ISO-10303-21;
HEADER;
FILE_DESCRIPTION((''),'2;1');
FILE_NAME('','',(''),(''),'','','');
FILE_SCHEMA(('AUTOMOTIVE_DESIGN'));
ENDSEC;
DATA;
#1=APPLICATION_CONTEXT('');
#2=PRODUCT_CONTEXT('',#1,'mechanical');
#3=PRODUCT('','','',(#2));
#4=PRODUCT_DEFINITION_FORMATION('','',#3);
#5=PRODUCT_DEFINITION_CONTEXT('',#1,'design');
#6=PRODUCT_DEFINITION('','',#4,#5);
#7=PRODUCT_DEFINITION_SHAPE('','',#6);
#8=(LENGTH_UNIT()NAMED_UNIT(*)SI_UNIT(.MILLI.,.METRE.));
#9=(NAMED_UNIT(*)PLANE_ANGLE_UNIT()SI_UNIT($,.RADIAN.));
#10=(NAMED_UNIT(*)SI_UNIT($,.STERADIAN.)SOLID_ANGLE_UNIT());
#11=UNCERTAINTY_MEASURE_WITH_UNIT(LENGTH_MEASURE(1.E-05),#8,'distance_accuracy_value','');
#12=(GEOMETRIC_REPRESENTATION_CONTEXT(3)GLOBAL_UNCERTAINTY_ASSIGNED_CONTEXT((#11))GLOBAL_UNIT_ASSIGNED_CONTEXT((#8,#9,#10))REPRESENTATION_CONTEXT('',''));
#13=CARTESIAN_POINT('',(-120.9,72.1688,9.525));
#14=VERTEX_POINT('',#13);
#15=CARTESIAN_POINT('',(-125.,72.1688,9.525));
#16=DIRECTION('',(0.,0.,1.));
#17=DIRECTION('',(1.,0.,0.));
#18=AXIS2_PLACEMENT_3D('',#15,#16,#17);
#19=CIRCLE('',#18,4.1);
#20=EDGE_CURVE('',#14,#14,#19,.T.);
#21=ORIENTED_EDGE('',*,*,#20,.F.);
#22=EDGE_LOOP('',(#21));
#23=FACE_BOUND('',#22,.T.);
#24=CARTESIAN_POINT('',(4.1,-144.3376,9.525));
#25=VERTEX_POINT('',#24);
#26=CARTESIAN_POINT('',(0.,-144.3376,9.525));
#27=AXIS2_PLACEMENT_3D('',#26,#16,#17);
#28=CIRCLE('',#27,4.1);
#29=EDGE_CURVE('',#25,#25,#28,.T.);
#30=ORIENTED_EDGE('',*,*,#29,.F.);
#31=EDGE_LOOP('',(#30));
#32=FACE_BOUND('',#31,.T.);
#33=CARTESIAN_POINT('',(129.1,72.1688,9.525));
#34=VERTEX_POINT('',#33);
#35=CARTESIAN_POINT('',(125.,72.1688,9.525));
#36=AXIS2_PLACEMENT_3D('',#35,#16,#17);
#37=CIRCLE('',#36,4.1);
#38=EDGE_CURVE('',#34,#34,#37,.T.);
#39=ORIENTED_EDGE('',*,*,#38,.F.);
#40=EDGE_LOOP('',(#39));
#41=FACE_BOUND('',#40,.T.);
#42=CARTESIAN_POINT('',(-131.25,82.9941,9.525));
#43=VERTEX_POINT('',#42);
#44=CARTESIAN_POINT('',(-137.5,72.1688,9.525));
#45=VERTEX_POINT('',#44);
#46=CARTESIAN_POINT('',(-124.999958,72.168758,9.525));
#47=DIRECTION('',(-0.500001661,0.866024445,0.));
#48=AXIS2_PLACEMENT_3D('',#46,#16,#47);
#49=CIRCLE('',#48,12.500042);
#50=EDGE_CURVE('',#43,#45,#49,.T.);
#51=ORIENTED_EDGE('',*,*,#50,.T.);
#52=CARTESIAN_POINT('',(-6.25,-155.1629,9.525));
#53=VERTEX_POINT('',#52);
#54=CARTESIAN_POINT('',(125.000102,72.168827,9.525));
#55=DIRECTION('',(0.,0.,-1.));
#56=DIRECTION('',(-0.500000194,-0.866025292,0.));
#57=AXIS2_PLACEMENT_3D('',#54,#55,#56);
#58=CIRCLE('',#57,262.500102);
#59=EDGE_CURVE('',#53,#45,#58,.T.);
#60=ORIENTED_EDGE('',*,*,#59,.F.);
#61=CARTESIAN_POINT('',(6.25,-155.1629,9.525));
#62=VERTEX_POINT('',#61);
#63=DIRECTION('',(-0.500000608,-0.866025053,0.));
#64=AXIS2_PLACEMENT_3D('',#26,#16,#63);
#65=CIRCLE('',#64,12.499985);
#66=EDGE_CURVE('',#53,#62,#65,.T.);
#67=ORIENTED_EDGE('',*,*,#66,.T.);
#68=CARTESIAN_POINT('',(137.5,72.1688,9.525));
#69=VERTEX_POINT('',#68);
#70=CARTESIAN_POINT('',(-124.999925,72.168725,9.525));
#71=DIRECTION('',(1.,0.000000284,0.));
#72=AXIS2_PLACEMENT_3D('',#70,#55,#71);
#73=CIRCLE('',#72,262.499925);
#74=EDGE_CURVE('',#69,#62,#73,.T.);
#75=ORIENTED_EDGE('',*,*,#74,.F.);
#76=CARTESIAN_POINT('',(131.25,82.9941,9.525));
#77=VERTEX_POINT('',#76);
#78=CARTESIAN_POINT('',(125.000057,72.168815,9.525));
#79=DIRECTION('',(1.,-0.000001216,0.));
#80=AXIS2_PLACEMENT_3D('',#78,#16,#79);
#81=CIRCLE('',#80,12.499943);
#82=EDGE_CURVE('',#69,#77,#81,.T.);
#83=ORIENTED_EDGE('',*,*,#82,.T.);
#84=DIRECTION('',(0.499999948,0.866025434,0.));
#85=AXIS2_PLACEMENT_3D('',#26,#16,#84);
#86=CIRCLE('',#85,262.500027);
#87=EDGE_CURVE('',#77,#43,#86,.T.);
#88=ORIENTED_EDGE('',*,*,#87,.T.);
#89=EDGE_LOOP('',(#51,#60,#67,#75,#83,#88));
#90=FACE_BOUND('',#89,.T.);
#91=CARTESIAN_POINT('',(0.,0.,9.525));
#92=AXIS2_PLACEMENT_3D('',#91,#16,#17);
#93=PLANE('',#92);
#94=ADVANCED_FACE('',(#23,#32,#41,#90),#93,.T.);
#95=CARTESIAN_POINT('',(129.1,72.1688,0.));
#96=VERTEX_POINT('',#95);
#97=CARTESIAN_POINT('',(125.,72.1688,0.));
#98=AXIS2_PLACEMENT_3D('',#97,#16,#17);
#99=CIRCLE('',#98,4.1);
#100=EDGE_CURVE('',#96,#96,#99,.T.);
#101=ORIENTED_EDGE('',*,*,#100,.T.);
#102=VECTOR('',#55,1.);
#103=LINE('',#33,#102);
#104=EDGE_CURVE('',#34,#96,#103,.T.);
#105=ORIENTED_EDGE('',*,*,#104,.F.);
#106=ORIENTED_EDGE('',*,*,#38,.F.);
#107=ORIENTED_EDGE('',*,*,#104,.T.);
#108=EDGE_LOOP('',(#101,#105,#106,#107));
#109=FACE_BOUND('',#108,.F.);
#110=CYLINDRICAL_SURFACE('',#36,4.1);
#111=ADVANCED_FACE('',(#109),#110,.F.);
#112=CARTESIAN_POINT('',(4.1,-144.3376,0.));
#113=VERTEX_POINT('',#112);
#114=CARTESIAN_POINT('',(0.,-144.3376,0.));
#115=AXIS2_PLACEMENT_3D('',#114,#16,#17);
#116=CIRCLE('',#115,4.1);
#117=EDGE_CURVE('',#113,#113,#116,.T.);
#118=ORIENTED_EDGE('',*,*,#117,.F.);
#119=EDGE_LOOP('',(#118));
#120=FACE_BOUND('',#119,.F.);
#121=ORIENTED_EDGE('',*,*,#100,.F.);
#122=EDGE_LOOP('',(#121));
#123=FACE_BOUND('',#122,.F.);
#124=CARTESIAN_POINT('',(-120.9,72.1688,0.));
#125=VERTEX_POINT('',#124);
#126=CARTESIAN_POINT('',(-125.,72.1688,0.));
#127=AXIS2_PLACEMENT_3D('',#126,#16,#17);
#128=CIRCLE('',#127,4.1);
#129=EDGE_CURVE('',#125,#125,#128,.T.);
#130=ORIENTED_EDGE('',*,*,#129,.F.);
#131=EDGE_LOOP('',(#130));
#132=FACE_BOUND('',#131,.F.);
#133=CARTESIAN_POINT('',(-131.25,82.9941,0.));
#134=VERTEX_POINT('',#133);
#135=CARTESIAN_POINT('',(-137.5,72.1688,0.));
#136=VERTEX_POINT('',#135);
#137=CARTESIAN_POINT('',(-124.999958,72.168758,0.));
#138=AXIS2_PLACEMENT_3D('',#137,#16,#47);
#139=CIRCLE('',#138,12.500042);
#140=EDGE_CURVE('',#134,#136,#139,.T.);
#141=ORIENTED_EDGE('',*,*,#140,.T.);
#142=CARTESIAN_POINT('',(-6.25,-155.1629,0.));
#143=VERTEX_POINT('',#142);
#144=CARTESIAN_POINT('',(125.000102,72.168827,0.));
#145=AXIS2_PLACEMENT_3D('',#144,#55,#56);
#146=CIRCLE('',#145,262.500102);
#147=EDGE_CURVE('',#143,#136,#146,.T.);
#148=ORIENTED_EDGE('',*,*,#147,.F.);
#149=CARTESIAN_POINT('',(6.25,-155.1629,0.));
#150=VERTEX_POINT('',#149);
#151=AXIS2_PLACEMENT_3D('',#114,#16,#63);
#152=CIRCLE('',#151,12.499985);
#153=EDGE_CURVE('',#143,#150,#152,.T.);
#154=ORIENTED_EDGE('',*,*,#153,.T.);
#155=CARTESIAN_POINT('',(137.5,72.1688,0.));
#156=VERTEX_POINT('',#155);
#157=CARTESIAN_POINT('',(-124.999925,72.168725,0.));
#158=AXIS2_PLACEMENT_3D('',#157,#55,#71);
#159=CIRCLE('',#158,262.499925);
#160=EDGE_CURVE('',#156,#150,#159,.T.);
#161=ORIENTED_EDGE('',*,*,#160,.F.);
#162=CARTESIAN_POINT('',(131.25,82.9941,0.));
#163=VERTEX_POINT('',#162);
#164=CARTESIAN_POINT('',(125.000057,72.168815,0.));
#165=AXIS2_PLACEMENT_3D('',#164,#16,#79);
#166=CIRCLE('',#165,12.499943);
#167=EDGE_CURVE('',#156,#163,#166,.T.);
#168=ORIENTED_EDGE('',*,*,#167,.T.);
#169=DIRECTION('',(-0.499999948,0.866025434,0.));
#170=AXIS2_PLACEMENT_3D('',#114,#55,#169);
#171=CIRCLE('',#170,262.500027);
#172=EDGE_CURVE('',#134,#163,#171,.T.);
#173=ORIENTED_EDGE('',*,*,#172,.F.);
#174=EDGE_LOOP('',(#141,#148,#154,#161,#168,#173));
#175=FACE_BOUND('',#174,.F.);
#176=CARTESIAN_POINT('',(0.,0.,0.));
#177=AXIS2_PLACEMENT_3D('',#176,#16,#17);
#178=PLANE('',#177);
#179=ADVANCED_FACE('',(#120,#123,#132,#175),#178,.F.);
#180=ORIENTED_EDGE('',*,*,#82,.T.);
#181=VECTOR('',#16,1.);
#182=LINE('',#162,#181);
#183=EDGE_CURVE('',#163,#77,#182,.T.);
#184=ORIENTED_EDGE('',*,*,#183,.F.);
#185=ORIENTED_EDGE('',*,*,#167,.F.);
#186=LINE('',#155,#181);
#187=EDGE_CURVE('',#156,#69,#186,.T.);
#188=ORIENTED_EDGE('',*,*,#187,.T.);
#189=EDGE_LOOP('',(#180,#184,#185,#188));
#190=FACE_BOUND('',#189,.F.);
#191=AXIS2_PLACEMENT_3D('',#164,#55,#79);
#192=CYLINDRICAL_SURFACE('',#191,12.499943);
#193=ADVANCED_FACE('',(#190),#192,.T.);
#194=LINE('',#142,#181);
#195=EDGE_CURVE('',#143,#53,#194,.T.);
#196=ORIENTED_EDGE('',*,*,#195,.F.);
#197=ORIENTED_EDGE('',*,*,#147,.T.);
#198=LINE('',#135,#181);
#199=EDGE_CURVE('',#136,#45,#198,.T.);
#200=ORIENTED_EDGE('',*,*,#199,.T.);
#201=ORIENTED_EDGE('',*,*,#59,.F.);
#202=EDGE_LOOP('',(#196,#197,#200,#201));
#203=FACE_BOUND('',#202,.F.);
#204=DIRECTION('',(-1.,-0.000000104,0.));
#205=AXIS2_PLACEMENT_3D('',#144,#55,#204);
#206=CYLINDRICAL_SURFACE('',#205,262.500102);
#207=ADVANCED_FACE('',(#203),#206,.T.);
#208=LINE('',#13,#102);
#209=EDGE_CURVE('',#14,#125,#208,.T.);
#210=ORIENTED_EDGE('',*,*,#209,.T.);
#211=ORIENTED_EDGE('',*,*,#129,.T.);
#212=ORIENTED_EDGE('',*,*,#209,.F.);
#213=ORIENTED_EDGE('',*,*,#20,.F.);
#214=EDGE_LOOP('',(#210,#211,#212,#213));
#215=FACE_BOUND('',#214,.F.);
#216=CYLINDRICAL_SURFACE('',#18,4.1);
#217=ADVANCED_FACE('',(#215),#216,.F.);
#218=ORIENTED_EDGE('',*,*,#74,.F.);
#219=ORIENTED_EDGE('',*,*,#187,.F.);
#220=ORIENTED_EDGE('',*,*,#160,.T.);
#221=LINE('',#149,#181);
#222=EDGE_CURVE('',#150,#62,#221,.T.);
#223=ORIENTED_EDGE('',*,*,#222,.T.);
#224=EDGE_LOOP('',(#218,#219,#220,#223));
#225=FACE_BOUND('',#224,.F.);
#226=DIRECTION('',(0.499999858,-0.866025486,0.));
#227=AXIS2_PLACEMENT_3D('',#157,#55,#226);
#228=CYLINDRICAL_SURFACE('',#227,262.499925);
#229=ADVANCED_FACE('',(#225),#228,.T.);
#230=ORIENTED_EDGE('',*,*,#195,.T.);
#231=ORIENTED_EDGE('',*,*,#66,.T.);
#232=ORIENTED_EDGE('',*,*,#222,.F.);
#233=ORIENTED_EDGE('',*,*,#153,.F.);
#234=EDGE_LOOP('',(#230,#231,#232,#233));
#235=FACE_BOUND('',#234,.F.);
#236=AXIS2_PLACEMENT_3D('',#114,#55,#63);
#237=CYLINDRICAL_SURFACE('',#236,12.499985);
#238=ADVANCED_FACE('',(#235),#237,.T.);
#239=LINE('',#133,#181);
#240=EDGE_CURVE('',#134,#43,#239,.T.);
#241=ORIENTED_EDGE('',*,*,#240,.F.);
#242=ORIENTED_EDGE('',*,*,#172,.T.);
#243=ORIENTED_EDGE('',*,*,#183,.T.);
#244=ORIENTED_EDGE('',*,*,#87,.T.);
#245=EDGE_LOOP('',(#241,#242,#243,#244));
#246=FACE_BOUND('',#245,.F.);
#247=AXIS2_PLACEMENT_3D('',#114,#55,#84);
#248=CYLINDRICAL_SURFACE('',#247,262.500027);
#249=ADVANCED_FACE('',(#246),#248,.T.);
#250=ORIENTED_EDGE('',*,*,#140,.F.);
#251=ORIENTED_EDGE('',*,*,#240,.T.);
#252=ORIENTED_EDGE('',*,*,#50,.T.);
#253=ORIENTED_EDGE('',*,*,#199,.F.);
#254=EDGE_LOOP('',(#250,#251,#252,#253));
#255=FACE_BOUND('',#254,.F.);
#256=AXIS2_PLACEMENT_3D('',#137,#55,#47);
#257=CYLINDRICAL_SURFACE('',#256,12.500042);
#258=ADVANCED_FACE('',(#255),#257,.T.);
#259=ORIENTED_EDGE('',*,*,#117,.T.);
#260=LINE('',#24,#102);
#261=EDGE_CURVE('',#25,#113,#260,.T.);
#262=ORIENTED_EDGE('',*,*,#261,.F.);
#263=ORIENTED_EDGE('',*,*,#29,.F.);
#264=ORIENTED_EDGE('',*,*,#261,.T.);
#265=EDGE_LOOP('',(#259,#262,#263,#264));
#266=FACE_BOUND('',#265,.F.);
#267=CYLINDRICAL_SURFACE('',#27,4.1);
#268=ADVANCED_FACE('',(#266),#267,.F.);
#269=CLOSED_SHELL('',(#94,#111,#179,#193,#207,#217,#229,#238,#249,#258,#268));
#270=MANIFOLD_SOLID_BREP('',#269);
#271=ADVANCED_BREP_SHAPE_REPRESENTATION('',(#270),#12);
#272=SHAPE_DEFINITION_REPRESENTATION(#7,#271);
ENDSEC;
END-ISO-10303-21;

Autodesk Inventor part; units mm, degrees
ref_plane "YZ Plane" through (0, 0, 0) normal (1, 0, 0) x (0, 1, 0)
ref_plane "XZ Plane" through (0, 0, 0) normal (0, 1, 0) x (-1, 0, 0)
ref_plane "XY Plane" through (0, 0, 0) normal (0, 0, 1) x (1, 0, 0)
sketch "Sketch1" plane through (0, 0, 0) normal (0, 0, 1) x (1, 0, 0)
  arc A0 (0, -144.3376) -> (125, 72.1688) centre (-125, 72.1688) ccw
  arc A1 (-125, 72.1688) -> (0, -144.3376) centre (125, 72.1688) ccw
  arc A2 (125, 72.1688) -> (-125, 72.1688) centre (0, -144.3376) ccw
  line L0 (-125, 72.1688) -> (0, 0) construction
  line L1 (0, 0) -> (125, 72.1688) construction
  line L2 (0, 0) -> (0, -144.3376) construction
  circle A3 centre (0, 0) radius 100
  arc A4 (-131.25, 82.9941) -> (-137.5, 72.1688) centre (-125, 72.1688) ccw
  arc A5 (137.5, 72.1688) -> (131.25, 82.9941) centre (125, 72.1688) ccw
  arc A6 (-6.25, -155.1629) -> (6.25, -155.1629) centre (0, -144.3376) ccw
  arc A7 (-137.5, 72.1688) -> (-6.25, -155.1629) centre (125, 72.1688) ccw
  arc A8 (131.25, 82.9941) -> (-131.25, 82.9941) centre (0, -144.3376) ccw
  arc A9 (6.25, -155.1629) -> (137.5, 72.1688) centre (-125, 72.1688) ccw
  line L3 (-100, 100) -> (100, 100)
  line L4 (100, 100) -> (100, -100)
  line L5 (100, -100) -> (-100, -100)
  line L6 (-100, -100) -> (-100, 100)
  point P0 (0, 0)
  point P1 (0, 0)
  dimension "d0" = 200
  dimension "d2" = 250
  dimension "d3" = 12.5
extrude "Extrusion1" add sketch "Sketch1" along normal blind 9.525 contours A1 L5 A0 | A0 L5 A9 A6 A7 A1 | L5 A3 L4 A0 | A0 L4 A9 L5 | L5 A7 L6 A1 | A1 L6 A3 L5 | L4 A2 A0 | A0 A2 L4 A8 A5 A9 | A3 | L6 A7 A4 A8 A2 A1 | A1 A2 L6 | A3 L3 A2 L4 | L6 A2 L3 A3 | A2 L3 A8 L4 | L3 A2 | L6 A8 L3 A2 | A2 L3 A8
sketch "Sketch2" plane through (0, 0, 9.525) normal (0, 0, 1) x (1, 0, 0)
  arc A0 (131.25, 82.9941) -> (-131.25, 82.9941) centre (0, -144.3376) ccw projected
  arc A1 (-131.25, 82.9941) -> (-137.5, 72.1688) centre (-125, 72.1688) ccw projected
  arc A2 (-137.5, 72.1688) -> (-6.25, -155.1629) centre (125, 72.1688) ccw projected
  circle A3 centre (-125, 72.1688) radius 4.1
  circle A4 centre (125, 72.1688) radius 4.1
  circle A5 centre (0, -144.3376) radius 4.1
  point P0 (0, 0)
  dimension "d6" = 8.2
extrude "Extrusion2" cut sketch "Sketch2" against normal through all
properties part number "_BASALT BED"
